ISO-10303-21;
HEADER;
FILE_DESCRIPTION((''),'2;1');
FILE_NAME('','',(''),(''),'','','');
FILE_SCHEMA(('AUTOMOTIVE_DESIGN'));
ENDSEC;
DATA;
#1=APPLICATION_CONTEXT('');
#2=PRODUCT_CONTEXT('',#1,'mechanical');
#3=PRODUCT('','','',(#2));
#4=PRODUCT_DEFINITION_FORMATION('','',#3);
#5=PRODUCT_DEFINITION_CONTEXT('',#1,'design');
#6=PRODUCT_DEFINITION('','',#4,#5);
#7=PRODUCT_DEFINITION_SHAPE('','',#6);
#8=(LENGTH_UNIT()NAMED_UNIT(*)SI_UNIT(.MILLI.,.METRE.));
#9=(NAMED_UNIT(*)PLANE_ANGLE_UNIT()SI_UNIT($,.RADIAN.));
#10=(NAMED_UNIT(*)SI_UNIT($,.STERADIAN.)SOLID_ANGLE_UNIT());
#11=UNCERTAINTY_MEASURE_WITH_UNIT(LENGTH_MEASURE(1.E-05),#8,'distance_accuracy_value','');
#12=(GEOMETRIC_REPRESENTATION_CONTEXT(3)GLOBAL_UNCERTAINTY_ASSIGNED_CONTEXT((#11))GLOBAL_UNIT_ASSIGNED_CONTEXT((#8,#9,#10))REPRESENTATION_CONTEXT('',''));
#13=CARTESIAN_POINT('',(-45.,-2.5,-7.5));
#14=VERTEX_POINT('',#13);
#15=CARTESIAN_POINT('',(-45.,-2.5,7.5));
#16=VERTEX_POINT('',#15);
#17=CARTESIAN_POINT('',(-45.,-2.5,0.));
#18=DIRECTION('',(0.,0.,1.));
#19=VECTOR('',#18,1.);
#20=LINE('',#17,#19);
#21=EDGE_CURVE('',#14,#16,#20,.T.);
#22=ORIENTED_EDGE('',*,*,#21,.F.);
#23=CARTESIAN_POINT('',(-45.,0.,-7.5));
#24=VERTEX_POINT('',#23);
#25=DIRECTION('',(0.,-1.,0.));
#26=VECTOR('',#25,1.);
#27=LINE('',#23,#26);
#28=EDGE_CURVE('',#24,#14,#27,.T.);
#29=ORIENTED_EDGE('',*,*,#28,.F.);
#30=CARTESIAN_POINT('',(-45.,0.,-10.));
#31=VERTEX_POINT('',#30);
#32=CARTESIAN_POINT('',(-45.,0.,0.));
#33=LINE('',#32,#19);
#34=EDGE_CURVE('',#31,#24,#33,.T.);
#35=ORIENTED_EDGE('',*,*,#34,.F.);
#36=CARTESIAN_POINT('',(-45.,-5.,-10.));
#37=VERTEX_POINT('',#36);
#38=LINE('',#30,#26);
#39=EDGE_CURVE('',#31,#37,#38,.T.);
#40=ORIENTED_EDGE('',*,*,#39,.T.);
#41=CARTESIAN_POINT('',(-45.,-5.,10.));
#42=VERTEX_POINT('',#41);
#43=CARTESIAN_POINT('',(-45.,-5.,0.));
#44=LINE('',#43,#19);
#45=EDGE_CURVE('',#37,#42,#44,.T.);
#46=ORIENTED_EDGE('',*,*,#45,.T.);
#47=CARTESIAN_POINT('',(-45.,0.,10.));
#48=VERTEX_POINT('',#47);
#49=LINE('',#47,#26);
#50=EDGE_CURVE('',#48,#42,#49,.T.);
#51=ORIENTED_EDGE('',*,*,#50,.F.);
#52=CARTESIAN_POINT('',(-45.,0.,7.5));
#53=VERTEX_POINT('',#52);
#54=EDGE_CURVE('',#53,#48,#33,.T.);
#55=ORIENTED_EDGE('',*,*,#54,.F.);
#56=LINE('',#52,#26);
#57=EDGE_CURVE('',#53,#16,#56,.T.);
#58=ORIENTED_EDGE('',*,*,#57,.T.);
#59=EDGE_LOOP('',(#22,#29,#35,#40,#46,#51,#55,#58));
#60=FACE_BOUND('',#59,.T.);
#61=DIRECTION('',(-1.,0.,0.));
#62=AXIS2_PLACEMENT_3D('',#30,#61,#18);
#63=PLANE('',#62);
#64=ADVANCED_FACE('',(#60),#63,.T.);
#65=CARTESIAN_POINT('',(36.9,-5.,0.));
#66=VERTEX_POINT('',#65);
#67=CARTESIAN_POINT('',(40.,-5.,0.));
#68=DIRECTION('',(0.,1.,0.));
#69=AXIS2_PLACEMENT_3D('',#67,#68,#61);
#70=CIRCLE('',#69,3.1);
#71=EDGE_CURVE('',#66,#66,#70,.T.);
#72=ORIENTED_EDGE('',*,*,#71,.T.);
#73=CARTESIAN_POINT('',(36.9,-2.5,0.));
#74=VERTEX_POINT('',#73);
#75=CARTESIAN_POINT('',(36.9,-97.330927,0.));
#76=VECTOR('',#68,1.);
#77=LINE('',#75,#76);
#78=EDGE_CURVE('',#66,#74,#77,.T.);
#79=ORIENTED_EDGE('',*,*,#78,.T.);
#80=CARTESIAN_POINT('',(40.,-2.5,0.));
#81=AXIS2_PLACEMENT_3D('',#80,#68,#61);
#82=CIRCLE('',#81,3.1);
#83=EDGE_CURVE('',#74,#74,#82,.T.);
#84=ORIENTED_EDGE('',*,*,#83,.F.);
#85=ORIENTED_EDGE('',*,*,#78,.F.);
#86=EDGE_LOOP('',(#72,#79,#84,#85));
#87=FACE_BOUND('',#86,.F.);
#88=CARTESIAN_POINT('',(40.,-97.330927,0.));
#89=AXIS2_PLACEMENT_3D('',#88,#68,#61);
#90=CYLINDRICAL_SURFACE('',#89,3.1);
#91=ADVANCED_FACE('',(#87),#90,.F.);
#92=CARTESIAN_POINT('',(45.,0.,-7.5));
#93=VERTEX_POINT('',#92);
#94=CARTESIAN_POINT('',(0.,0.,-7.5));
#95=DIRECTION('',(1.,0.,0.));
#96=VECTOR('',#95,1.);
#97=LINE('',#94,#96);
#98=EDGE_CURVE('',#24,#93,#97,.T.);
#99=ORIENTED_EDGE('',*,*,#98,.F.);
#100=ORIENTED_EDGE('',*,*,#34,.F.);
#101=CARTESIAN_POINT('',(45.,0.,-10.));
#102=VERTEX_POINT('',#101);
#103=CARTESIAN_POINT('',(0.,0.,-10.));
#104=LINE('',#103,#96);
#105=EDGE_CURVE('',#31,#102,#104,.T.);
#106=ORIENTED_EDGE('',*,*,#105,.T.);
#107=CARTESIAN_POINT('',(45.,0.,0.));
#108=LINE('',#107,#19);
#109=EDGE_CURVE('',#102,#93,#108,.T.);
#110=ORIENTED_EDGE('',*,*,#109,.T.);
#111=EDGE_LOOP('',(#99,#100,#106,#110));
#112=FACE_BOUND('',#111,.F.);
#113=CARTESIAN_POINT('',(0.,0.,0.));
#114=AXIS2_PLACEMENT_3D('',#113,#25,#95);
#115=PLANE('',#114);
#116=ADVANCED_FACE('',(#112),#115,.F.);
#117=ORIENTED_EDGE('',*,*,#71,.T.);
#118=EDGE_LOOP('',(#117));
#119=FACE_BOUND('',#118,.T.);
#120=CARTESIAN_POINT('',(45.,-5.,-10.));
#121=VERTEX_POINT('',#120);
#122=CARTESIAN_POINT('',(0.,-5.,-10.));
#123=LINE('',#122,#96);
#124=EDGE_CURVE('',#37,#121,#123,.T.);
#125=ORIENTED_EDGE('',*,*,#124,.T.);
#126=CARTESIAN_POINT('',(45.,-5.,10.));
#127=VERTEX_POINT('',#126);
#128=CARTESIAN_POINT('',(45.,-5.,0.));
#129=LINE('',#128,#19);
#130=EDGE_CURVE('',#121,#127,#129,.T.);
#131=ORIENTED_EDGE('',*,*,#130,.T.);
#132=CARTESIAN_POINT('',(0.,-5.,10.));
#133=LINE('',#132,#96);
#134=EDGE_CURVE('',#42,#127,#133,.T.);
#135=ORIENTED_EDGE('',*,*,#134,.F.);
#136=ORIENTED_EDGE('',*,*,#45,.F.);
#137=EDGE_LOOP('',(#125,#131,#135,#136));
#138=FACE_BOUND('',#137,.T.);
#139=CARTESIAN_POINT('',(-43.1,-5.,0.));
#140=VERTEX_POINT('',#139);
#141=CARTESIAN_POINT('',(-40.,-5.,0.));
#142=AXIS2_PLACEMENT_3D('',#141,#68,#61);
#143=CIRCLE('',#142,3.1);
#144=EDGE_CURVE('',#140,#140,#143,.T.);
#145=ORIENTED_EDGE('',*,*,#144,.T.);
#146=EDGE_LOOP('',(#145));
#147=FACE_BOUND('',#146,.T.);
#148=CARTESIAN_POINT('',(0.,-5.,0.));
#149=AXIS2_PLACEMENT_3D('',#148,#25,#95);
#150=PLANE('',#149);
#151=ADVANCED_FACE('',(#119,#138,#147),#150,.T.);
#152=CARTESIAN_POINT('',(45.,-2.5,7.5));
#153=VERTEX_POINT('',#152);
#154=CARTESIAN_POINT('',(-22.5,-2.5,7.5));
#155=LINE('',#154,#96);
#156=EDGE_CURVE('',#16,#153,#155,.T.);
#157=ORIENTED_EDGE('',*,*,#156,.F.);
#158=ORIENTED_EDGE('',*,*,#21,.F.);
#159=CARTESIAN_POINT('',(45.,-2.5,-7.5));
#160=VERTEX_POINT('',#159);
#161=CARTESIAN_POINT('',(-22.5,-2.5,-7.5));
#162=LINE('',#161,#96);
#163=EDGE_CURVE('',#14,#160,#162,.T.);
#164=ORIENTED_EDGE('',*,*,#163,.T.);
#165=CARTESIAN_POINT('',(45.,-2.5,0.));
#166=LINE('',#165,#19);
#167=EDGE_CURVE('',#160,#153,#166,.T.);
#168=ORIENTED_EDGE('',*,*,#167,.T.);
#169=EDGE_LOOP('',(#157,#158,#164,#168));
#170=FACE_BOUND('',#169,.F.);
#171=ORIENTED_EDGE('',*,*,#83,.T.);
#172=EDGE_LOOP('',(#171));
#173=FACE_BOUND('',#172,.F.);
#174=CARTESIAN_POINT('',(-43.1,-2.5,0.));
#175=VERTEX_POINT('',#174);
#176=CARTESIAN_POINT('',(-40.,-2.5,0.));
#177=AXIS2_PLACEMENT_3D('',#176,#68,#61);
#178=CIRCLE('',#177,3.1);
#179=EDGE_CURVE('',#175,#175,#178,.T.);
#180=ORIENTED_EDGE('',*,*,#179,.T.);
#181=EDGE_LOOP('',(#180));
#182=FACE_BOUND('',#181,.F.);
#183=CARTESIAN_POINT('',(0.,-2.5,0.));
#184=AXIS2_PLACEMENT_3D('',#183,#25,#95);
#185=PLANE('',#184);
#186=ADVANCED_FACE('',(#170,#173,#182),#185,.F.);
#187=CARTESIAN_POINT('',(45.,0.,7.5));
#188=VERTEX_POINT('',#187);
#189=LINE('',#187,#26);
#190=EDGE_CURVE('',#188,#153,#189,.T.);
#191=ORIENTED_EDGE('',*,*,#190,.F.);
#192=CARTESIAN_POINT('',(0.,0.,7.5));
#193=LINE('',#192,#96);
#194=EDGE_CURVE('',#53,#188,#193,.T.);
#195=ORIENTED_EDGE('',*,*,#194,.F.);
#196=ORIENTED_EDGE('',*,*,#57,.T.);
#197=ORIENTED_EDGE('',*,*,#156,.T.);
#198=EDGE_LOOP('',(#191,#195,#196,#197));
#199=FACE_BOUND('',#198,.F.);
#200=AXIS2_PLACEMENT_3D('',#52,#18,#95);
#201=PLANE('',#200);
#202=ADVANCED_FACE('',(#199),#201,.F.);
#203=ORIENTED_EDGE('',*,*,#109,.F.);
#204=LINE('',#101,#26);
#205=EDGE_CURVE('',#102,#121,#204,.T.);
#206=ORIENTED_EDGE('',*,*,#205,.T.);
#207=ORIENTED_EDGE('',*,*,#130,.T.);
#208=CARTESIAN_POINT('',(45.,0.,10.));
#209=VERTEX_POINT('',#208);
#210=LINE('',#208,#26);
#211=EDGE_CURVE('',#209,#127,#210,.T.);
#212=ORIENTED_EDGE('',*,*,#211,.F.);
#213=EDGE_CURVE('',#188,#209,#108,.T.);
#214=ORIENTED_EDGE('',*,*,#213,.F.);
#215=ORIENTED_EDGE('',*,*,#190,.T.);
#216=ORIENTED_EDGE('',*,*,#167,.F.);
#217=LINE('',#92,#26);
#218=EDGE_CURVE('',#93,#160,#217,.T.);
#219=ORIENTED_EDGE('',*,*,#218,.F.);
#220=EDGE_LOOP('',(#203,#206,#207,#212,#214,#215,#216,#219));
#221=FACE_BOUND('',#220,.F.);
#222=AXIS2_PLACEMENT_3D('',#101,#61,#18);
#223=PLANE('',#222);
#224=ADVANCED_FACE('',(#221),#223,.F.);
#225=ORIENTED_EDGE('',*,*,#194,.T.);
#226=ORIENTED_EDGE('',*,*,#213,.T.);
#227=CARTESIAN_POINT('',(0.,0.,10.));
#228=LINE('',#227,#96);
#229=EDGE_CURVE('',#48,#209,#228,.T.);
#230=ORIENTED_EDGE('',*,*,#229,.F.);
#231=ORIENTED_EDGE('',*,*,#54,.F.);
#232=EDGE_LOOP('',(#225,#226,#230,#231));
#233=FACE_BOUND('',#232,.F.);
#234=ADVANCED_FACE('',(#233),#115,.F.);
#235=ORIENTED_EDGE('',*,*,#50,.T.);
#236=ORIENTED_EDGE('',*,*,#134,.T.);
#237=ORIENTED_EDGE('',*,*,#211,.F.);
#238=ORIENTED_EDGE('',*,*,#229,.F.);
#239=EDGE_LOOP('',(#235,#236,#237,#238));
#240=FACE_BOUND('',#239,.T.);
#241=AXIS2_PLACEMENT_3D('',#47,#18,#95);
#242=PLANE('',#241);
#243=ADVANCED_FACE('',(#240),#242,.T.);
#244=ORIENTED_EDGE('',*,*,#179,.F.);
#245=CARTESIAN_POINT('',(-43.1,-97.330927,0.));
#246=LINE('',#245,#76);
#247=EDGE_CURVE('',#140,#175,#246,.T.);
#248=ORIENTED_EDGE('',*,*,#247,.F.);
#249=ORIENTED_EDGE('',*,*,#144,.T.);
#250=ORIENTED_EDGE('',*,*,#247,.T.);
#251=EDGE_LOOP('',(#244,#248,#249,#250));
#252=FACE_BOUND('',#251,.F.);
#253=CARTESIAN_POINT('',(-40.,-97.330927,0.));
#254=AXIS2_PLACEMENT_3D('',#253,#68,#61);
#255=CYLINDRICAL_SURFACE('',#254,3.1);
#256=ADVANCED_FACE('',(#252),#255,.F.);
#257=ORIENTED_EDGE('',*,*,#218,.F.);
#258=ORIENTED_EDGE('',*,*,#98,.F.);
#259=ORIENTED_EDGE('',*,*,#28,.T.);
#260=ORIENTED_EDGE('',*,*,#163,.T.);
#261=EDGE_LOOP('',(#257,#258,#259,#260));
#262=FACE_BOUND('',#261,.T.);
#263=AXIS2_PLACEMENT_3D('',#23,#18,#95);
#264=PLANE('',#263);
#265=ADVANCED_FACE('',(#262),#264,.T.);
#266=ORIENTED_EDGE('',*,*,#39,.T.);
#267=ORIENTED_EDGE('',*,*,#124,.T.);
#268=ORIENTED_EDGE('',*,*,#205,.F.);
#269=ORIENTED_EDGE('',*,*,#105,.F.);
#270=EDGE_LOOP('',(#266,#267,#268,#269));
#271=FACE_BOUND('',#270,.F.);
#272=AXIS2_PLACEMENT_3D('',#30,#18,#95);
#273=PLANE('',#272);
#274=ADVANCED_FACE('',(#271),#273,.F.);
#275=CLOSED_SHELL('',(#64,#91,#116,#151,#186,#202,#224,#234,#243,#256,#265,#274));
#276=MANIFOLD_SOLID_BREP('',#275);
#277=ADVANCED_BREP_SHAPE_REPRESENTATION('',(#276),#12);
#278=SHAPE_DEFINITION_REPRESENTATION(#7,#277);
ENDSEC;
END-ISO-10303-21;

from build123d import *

# Parameters (mm, degrees)
F0_W     = 90
F0_H     = 20
F1_DEPTH = 5
F2_T     = -2.5
F4_D     = 6.2


with BuildPart() as f1:
    # F0 (on Front) → F1 (new body)
    with BuildSketch(Plane.XZ):
        Rectangle(F0_W, F0_H)
    extrude(amount=F1_DEPTH)

    # F2
    f2_openings = [f1.faces().sort_by_distance(p)[0] for p in [
        (0, 0, 0),
        (45, -2.5, 0),
        (-45, -2.5, 0),
    ]]
    offset(amount=F2_T, openings=f2_openings)

    # F4 (through all)
    with Locations(Plane.XZ.offset(5)):
        with Locations((40, 0), (-40, 0)):
            Hole(F4_D / 2)


solid = f1.part
